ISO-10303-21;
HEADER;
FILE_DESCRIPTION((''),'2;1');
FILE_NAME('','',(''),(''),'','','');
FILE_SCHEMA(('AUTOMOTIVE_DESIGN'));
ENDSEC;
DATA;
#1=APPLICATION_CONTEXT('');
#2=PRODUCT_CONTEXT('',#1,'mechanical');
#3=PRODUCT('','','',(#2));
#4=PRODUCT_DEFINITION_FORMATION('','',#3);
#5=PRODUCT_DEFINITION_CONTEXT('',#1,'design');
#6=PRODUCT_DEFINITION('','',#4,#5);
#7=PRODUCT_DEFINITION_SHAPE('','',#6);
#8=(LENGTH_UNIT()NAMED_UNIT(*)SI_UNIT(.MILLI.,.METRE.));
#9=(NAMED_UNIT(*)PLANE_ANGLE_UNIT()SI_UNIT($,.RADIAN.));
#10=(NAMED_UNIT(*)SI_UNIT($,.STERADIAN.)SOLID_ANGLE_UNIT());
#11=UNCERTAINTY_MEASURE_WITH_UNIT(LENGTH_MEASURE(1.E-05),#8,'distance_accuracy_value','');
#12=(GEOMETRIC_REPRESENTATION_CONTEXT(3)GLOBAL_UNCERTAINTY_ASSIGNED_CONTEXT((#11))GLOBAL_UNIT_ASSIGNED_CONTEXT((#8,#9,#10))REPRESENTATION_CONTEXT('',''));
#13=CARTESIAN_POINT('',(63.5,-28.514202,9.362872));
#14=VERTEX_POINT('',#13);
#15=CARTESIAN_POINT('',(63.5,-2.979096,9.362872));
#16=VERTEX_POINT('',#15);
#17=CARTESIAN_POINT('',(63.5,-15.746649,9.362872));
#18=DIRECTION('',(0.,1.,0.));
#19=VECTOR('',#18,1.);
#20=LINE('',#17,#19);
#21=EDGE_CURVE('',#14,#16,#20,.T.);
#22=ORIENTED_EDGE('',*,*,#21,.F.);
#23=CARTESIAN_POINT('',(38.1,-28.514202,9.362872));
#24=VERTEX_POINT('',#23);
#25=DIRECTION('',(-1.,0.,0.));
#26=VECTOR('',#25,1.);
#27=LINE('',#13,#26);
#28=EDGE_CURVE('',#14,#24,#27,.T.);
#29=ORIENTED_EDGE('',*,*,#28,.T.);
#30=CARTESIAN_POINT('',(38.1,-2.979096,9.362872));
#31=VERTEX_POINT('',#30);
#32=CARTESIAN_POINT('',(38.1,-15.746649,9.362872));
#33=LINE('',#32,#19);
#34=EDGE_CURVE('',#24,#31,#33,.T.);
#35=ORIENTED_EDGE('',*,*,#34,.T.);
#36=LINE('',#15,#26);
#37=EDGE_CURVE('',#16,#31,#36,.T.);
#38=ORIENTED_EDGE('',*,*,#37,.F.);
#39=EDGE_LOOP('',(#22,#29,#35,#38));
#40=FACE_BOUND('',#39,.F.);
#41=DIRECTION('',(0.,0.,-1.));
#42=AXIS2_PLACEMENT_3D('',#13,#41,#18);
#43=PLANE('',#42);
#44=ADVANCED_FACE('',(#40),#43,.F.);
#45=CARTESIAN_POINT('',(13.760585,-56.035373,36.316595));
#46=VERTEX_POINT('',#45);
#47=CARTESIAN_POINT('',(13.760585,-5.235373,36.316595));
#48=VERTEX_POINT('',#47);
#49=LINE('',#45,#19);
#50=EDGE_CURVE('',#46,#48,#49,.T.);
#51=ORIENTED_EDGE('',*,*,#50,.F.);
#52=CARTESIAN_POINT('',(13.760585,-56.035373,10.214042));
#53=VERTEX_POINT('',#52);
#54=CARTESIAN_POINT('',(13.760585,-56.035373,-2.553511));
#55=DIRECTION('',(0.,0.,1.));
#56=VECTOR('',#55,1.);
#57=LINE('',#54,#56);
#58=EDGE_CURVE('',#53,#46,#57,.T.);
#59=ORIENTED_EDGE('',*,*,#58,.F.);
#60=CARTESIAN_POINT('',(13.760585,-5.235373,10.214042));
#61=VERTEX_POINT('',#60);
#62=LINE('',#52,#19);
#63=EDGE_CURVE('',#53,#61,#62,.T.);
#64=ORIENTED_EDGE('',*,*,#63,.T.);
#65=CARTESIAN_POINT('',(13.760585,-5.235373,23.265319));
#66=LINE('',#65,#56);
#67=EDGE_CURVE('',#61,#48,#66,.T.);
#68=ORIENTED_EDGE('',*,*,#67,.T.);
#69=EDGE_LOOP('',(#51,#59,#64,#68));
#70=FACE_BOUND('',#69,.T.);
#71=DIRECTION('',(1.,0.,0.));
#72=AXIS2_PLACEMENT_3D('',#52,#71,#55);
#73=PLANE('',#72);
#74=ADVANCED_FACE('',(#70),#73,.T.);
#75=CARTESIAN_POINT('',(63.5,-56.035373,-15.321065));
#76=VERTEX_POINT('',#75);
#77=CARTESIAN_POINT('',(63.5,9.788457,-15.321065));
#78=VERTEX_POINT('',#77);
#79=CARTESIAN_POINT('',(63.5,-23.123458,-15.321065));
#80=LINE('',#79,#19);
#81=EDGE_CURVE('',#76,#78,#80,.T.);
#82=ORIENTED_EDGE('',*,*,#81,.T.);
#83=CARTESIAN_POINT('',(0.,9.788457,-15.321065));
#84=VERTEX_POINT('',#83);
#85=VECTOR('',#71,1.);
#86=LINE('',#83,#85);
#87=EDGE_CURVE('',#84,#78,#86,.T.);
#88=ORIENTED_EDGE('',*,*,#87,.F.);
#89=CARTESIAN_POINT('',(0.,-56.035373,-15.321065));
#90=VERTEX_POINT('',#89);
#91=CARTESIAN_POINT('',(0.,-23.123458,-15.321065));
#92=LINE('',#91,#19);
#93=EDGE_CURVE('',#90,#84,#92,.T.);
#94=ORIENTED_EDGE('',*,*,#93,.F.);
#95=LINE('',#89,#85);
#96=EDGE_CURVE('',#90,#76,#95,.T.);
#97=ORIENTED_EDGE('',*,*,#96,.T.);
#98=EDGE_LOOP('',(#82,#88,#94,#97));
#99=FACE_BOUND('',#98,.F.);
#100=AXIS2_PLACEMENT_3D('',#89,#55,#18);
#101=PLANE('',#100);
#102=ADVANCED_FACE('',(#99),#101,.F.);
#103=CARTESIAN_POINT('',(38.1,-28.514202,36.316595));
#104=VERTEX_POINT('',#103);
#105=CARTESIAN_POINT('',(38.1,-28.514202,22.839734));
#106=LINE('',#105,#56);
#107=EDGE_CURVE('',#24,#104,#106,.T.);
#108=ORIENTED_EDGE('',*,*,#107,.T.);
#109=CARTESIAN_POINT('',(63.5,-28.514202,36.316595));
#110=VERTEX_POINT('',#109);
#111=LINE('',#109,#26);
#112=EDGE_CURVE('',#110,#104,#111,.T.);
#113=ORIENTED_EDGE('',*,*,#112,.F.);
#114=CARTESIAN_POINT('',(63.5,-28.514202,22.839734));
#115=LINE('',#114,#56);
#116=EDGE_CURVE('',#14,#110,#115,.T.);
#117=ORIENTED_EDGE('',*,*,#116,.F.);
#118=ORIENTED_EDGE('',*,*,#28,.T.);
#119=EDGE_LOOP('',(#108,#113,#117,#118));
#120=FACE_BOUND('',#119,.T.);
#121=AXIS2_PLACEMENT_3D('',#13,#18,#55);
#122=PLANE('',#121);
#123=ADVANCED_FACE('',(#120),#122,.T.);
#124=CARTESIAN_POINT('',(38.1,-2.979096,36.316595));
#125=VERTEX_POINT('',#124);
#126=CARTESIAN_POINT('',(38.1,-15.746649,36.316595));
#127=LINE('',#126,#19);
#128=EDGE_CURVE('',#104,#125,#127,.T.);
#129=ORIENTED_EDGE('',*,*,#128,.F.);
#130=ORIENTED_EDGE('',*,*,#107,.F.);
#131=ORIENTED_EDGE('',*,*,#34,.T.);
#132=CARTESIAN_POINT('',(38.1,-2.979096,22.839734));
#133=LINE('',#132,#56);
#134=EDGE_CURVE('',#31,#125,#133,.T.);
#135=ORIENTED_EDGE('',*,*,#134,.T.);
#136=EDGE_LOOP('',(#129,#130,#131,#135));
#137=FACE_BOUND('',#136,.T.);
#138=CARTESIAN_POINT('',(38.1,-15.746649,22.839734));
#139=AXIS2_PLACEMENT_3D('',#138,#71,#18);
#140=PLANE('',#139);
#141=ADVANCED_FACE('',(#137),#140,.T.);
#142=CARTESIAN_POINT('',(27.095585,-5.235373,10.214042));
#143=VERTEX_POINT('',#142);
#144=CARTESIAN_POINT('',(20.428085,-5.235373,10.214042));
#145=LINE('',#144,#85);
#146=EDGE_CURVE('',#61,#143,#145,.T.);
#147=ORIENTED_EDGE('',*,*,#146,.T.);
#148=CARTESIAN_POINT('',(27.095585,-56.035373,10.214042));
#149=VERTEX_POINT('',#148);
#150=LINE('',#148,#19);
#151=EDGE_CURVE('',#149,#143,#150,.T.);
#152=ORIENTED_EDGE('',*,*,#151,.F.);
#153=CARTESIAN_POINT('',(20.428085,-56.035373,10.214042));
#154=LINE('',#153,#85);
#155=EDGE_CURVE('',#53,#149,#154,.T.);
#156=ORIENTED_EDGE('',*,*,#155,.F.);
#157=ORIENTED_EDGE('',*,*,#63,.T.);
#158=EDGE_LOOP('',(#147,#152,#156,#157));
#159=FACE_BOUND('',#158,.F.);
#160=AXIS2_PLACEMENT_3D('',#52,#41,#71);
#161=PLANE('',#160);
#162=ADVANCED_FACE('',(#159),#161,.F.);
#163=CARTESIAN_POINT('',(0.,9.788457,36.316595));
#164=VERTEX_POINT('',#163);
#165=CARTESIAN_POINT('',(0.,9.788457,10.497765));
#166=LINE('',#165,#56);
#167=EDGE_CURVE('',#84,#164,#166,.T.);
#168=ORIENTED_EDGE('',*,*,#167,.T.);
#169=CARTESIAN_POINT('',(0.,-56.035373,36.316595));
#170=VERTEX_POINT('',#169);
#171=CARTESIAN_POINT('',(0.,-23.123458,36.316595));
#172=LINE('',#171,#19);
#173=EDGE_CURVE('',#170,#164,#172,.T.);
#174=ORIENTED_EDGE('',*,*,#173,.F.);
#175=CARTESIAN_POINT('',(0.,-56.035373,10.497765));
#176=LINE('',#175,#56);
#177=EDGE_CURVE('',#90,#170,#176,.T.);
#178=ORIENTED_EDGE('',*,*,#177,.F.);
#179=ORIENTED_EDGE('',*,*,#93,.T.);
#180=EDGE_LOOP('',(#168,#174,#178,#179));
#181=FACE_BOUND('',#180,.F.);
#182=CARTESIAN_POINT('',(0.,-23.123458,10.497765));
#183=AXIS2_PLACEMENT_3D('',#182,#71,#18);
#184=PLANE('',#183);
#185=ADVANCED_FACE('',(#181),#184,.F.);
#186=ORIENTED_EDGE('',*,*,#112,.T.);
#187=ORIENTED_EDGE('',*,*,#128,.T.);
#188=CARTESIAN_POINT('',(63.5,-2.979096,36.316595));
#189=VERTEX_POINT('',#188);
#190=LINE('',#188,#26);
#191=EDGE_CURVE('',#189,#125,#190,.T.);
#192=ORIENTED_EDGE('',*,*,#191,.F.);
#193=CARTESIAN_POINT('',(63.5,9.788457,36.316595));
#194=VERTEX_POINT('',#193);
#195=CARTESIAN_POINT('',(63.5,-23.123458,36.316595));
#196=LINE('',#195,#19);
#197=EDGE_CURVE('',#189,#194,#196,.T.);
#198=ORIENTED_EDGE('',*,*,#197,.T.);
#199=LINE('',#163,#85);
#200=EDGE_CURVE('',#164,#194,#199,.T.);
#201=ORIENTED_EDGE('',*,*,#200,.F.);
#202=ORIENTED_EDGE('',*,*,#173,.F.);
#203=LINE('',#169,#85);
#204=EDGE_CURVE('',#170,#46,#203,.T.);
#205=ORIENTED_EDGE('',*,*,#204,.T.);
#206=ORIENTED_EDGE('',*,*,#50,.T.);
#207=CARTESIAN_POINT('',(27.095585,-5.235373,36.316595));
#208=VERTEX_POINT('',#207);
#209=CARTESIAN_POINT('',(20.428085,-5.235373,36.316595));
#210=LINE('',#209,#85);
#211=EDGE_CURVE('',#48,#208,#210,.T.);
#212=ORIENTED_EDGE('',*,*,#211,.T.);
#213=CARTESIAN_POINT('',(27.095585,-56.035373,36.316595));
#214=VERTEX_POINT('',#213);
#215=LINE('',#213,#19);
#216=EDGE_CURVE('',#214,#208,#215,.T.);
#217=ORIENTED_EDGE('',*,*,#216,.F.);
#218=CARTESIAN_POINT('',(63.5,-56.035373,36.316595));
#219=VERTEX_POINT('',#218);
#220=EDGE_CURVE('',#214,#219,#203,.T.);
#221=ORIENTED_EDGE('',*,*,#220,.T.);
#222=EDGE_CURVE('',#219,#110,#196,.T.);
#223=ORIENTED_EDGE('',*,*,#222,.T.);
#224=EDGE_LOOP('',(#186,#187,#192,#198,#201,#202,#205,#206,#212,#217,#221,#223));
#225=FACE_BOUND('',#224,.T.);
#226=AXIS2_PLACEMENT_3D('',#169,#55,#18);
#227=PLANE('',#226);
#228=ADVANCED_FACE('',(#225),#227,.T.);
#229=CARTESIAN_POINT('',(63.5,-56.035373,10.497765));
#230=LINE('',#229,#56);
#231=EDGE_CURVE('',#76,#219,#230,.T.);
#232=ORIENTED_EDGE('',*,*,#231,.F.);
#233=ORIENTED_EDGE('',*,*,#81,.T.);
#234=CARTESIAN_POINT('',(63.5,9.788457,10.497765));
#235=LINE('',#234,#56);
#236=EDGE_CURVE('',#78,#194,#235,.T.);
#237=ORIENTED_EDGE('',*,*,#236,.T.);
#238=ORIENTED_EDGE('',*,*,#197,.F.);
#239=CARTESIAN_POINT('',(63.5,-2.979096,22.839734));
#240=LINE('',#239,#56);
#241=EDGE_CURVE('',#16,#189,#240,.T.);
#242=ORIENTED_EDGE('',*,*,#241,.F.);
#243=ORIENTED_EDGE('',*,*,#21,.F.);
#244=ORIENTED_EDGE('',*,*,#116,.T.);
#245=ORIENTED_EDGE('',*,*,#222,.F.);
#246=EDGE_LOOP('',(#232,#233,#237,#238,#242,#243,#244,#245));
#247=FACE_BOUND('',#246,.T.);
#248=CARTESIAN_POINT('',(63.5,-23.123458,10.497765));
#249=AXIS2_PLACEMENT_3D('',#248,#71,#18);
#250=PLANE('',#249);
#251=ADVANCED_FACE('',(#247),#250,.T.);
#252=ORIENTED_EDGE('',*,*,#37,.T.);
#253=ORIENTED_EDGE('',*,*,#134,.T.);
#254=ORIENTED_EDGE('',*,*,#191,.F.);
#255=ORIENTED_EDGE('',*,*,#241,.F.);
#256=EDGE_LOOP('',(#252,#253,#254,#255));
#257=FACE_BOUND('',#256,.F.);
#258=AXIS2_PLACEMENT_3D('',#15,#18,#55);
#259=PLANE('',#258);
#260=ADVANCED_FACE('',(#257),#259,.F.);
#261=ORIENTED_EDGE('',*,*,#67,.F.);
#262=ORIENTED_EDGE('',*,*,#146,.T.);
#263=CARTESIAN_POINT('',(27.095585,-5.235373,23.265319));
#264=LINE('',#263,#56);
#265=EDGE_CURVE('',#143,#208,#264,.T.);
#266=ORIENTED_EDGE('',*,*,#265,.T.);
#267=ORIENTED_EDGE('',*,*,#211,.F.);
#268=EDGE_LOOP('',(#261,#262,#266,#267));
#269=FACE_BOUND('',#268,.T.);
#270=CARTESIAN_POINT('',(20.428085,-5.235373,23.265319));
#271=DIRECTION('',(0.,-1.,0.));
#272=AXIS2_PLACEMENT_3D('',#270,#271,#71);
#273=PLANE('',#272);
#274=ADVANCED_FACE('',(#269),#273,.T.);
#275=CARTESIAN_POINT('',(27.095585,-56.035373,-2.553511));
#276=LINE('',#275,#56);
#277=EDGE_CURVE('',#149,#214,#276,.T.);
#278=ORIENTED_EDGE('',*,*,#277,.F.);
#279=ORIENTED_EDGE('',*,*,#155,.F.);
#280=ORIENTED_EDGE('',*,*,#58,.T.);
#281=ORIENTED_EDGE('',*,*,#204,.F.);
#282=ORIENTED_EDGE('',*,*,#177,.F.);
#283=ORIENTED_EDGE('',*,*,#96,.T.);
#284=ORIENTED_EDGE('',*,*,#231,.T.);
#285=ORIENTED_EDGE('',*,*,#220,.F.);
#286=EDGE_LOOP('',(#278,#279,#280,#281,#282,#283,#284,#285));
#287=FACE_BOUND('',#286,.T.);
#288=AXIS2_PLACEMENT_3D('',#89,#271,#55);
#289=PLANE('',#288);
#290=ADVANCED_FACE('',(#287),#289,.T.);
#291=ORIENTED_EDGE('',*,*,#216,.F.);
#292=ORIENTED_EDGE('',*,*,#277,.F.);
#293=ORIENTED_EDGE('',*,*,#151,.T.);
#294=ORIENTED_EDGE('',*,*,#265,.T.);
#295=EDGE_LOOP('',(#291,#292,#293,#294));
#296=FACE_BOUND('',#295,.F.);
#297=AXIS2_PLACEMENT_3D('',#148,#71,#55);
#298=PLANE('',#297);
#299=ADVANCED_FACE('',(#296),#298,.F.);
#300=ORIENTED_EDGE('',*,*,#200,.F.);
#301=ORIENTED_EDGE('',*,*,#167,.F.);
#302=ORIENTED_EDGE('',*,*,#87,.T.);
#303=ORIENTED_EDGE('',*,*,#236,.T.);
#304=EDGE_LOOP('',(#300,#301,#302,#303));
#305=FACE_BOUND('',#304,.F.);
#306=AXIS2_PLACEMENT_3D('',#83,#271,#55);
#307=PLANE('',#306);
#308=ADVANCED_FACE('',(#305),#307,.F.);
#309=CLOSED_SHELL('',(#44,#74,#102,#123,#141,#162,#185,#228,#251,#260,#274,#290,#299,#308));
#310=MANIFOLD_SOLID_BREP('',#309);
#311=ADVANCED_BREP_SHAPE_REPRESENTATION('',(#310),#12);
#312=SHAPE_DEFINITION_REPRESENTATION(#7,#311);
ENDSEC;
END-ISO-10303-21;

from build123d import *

# Parameters (mm, degrees)
F0_W     = 65.823829
F0_H     = 51.637661
F1_DEPTH = 63.5
F2_W     = 25.535107
F2_H     = 26.953723
F3_DEPTH = 25.4
F4_W     = 13.335001
F4_H     = 26.102553
F5_DEPTH = 50.8


with BuildPart() as f1:
    # F0 (on Right) → F1 (new body)
    with BuildSketch(Plane.YZ):
        with Locations((-23.123458, 10.497765)):
            Rectangle(F0_W, F0_H)
    extrude(amount=F1_DEPTH)

    # F2 (on face) → F3 (cut)
    with BuildSketch(Plane.YZ.offset(63.5)):
        with Locations((-15.746649, 22.839734)):
            Rectangle(F2_W, F2_H)
    extrude(amount=-F3_DEPTH, mode=Mode.SUBTRACT)

    # F4 (on face) → F5 (cut)
    with BuildSketch(Plane.XZ.offset(56.035373)):
        with Locations((20.428085, 23.265319)):
            Rectangle(F4_W, F4_H)
    extrude(amount=-F5_DEPTH, mode=Mode.SUBTRACT)


solid = f1.part
